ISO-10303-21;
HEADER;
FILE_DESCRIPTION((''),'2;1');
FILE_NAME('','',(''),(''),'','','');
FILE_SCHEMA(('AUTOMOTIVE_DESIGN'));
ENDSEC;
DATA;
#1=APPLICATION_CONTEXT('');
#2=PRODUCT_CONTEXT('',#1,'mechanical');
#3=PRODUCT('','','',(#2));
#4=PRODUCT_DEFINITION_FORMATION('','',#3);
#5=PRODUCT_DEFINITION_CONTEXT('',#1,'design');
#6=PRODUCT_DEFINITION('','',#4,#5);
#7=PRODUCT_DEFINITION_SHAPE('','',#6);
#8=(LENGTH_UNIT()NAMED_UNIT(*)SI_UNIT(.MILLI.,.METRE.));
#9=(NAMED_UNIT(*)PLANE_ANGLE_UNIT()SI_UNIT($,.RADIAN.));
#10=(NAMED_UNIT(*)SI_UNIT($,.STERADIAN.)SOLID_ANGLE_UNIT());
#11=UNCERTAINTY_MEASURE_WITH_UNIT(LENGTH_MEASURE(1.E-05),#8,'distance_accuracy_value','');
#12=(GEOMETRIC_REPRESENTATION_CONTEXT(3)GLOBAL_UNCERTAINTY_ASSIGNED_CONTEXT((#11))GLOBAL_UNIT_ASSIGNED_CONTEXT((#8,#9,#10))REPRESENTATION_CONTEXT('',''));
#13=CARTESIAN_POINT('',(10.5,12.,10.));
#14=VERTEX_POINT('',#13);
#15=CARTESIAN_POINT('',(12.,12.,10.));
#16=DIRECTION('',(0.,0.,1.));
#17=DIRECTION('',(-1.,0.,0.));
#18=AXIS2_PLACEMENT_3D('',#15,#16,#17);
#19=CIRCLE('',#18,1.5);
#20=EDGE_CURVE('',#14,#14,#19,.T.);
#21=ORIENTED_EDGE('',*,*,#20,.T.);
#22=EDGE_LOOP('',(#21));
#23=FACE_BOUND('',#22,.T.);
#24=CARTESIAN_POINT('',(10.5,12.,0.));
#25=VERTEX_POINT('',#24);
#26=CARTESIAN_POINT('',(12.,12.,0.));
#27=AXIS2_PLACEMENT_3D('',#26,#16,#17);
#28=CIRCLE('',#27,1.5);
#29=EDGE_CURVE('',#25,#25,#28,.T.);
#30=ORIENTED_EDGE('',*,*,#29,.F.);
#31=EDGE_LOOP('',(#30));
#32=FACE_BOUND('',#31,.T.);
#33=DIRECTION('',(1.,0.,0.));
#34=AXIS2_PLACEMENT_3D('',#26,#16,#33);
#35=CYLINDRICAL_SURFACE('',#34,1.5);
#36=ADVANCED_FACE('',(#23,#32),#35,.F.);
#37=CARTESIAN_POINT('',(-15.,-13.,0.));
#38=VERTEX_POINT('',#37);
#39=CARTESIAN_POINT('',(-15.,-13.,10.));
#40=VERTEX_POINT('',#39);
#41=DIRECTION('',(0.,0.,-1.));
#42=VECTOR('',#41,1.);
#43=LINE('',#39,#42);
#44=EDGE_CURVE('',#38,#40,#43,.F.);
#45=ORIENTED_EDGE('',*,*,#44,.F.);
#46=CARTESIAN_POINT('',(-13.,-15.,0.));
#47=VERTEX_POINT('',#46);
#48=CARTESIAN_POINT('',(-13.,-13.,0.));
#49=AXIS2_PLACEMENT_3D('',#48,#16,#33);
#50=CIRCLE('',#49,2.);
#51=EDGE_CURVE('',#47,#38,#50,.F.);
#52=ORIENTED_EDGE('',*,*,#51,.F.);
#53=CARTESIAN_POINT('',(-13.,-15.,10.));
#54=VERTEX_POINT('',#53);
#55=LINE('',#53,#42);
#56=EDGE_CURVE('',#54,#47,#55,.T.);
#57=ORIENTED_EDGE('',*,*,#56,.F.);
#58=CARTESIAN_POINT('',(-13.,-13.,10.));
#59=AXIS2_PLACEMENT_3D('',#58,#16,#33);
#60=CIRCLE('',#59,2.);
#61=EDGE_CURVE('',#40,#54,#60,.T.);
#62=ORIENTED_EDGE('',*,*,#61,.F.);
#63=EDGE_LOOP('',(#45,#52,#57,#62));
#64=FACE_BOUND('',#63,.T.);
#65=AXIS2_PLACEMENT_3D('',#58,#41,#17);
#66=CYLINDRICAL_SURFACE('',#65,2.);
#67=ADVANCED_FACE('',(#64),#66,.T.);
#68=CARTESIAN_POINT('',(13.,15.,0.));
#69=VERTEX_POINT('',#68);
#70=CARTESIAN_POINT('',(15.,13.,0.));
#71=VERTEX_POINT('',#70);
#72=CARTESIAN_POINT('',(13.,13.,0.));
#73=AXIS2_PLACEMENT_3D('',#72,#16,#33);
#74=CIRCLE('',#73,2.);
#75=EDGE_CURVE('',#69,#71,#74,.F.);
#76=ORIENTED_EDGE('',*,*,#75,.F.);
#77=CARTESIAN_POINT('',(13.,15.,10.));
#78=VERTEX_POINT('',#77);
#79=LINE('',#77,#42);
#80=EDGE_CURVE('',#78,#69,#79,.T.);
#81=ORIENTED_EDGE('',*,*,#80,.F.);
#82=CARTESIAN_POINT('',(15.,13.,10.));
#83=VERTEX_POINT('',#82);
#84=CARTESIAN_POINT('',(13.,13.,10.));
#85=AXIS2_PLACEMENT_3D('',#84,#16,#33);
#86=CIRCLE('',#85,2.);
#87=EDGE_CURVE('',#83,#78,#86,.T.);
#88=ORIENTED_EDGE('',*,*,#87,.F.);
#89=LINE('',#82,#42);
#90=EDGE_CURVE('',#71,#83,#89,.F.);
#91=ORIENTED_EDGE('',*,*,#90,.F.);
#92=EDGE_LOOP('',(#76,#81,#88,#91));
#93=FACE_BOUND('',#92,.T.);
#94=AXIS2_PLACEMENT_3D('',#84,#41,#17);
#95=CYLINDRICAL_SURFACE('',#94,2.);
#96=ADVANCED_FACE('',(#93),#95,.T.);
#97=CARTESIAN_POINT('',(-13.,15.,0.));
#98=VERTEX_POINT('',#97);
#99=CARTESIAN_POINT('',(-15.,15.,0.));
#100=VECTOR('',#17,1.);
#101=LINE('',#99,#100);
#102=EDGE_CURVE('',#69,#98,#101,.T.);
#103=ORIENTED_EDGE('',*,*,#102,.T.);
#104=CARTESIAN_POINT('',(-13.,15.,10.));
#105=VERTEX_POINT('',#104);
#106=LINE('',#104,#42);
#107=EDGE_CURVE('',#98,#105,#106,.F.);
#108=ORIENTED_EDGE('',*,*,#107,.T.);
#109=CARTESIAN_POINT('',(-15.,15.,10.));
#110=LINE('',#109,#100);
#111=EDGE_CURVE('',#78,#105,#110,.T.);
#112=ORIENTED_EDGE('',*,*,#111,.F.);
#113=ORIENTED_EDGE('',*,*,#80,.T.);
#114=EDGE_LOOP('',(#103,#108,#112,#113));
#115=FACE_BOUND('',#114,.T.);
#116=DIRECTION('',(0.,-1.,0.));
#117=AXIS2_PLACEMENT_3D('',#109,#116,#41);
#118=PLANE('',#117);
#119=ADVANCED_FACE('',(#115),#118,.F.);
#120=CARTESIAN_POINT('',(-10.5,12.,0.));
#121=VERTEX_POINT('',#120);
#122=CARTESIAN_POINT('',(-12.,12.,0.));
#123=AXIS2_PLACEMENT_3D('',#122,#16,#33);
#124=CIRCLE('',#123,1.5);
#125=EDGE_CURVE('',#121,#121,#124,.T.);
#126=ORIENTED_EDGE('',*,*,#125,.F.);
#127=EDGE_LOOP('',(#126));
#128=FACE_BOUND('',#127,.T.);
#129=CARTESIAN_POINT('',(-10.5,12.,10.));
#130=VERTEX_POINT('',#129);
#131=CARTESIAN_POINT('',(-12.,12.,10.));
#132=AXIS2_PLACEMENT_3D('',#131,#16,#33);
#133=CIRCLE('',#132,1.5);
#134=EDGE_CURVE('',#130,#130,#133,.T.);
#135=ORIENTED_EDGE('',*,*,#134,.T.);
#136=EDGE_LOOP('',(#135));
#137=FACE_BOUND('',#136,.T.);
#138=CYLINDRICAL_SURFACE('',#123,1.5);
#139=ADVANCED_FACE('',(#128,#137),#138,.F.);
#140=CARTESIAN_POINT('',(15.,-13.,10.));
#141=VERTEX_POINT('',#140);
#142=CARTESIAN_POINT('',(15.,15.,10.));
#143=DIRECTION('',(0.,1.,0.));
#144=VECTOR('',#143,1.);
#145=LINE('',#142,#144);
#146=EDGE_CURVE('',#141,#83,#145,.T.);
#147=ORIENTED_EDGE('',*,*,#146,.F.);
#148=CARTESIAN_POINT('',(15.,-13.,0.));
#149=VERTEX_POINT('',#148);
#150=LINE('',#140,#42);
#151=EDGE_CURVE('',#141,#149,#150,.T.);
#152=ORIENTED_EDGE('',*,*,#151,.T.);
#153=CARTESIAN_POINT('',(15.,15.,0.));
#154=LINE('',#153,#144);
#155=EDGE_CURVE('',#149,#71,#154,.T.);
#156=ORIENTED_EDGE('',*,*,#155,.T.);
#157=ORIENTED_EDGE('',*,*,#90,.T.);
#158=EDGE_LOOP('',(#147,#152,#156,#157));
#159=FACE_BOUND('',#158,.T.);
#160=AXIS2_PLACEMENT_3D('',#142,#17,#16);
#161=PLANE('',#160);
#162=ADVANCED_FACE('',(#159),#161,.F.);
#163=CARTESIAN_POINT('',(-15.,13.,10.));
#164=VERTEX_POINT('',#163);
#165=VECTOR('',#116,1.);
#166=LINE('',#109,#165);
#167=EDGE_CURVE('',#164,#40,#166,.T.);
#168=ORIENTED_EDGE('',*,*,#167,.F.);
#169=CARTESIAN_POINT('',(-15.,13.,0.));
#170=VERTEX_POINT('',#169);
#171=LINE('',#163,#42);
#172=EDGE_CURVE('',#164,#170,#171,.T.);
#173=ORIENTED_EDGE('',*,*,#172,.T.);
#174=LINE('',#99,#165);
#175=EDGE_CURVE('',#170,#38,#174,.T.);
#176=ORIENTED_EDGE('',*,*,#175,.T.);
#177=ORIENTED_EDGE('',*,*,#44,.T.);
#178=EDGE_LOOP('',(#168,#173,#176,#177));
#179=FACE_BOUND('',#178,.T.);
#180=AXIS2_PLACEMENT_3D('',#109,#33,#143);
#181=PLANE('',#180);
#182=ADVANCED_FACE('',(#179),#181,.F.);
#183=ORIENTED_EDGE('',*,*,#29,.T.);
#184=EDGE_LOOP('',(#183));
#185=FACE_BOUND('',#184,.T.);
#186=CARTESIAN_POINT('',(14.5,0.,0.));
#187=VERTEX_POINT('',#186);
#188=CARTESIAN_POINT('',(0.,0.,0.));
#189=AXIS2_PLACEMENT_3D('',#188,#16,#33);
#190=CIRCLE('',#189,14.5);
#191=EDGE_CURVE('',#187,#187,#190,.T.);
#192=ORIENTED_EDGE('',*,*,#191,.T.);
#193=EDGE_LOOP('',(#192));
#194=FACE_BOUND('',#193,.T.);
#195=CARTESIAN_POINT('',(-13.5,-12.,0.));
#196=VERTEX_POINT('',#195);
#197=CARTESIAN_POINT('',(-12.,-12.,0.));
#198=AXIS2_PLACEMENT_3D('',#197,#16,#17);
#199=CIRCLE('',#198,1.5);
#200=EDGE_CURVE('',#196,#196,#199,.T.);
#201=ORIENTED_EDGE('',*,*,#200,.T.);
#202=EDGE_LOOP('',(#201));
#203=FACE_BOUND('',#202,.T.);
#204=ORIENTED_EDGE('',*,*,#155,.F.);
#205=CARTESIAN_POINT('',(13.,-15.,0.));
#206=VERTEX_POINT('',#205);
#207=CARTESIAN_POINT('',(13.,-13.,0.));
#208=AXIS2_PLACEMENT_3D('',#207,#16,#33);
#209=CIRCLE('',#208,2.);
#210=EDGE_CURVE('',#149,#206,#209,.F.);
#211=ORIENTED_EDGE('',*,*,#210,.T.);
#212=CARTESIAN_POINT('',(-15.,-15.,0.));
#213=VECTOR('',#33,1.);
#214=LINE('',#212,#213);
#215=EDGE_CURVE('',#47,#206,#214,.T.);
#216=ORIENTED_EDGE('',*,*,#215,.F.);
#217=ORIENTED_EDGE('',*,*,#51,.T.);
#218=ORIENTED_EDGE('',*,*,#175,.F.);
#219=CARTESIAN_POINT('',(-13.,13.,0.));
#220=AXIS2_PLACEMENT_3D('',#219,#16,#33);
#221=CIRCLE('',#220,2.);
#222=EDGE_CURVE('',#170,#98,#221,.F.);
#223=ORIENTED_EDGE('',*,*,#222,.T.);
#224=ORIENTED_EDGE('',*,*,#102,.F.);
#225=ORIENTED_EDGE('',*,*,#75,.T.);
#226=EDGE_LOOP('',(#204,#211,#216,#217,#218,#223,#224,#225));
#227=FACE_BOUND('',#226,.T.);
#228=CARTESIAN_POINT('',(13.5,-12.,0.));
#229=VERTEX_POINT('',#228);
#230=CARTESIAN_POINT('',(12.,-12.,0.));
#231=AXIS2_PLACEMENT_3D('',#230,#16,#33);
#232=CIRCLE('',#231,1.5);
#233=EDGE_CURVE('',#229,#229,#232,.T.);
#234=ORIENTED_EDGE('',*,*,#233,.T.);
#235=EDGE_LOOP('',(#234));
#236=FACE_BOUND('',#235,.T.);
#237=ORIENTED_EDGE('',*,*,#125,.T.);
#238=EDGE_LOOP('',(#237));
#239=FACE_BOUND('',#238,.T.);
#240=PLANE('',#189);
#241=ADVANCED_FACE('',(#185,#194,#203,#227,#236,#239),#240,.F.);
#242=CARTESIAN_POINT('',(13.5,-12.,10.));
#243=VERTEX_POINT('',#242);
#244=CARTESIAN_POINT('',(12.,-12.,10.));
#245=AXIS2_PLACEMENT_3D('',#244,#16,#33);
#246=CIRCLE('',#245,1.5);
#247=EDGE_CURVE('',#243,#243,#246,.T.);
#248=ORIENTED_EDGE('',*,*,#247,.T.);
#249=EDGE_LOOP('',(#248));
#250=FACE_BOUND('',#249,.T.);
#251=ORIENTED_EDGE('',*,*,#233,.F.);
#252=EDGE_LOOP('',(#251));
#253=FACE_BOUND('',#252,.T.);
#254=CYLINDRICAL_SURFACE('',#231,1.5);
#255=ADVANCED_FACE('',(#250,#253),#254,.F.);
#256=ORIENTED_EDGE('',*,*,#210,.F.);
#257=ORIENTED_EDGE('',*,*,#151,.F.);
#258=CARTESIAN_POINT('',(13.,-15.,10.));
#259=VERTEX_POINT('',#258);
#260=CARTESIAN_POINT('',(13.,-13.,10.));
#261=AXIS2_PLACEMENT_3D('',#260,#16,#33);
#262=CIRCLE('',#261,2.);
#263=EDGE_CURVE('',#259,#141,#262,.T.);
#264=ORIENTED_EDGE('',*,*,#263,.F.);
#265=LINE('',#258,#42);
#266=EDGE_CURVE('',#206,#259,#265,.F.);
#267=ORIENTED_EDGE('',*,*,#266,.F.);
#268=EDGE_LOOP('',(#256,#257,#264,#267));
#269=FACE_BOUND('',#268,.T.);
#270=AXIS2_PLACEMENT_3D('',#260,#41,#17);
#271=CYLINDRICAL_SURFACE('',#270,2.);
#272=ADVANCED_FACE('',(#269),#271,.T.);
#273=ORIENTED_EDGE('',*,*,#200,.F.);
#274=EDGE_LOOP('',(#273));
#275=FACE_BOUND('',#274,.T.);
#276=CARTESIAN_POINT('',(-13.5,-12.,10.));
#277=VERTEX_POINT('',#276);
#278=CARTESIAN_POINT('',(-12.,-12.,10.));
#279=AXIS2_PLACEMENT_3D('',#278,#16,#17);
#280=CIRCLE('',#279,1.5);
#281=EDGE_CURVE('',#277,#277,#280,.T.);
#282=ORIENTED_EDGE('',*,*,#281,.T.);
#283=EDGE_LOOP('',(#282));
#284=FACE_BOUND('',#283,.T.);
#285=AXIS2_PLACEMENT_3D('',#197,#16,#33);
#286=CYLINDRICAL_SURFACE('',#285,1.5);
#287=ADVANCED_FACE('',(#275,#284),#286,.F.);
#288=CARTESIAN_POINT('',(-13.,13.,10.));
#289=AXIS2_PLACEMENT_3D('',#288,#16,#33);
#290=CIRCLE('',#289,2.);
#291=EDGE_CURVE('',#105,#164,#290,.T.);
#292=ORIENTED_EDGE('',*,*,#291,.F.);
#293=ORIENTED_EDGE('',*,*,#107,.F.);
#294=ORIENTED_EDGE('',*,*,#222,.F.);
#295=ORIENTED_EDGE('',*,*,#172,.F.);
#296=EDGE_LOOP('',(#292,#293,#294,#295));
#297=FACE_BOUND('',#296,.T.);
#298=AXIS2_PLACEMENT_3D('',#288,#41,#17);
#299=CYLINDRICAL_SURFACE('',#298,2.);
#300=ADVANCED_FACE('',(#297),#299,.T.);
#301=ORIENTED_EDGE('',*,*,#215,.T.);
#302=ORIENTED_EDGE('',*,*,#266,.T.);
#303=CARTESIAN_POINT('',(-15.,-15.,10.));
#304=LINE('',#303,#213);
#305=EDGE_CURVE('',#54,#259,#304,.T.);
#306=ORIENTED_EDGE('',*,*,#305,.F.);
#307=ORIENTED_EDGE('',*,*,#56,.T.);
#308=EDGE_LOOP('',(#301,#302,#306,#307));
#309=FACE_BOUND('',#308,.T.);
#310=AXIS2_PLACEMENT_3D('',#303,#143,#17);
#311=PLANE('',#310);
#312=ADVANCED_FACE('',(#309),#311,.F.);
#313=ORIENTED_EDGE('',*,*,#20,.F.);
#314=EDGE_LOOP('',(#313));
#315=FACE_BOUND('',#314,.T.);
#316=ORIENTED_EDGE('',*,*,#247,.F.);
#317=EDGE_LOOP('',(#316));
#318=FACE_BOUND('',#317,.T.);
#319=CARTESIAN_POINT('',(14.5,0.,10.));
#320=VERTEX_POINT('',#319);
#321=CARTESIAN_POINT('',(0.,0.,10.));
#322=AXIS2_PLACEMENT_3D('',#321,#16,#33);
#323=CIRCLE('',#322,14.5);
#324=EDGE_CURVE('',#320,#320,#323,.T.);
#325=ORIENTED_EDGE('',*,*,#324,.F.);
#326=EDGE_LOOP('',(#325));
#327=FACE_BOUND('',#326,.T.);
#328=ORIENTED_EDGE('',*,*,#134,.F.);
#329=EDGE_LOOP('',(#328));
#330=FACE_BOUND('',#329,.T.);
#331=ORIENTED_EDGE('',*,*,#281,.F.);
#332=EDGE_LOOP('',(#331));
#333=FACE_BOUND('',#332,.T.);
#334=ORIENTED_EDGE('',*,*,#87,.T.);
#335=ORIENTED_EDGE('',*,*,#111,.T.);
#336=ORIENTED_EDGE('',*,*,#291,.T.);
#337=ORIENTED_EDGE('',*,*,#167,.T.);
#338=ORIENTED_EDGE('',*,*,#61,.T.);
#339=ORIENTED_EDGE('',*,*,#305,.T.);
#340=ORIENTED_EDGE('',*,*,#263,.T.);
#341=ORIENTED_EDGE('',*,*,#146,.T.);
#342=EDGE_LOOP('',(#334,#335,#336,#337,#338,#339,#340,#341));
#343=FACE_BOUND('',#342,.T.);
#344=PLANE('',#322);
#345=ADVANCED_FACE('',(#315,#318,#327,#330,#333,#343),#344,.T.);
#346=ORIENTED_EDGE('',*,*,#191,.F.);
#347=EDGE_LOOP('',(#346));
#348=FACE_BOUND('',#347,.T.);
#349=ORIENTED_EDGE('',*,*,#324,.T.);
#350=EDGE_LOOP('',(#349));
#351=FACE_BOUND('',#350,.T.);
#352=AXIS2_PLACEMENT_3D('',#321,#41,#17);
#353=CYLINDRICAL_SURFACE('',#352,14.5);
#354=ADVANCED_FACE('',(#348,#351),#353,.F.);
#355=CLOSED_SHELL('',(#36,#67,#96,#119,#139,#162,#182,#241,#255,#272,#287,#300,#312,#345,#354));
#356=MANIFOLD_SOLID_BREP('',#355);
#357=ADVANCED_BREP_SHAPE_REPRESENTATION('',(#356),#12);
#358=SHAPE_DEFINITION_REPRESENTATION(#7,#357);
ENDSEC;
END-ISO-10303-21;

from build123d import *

# Parameters (mm, degrees)
SKETCH_1_W          = 30
SKETCH_1_H          = 30
SKETCH_1_R          = 14.5
EXTRUDE_1_DEPTH     = 10
FILLET_1_R          = 2
SKETCH_2_R          = 1.5
CUT_EXTRUDE_1_DEPTH = 10


with BuildPart() as part:
    # 草圖1 → 填料-伸長1 (new body)
    with BuildSketch(Plane.XY):
        Rectangle(SKETCH_1_W, SKETCH_1_H)
        Circle(SKETCH_1_R, mode=Mode.SUBTRACT)
    extrude(amount=EXTRUDE_1_DEPTH)

    # 圓角1
    fillet_1_edges = [part.edges().sort_by_distance(p)[0] for p in [
        (-15, 15, 5),
        (15, 15, 5),
        (15, -15, 5),
        (-15, -15, 5),
    ]]
    fillet(fillet_1_edges, radius=FILLET_1_R)

    # 草圖2 → 除料-伸長1 (cut)
    with BuildSketch(Plane.XY.offset(10)):
        with Locations((-12, 12)):
            Circle(SKETCH_2_R)
        with Locations(Location((12, 12, 0), (0, 0, 180))):
            Circle(SKETCH_2_R)
        with Locations((12, -12)):
            Circle(SKETCH_2_R)
        with Locations(Location((-12, -12, 0), (0, 0, 180))):
            Circle(SKETCH_2_R)
    extrude(amount=-CUT_EXTRUDE_1_DEPTH, mode=Mode.SUBTRACT)


solid = part.part
